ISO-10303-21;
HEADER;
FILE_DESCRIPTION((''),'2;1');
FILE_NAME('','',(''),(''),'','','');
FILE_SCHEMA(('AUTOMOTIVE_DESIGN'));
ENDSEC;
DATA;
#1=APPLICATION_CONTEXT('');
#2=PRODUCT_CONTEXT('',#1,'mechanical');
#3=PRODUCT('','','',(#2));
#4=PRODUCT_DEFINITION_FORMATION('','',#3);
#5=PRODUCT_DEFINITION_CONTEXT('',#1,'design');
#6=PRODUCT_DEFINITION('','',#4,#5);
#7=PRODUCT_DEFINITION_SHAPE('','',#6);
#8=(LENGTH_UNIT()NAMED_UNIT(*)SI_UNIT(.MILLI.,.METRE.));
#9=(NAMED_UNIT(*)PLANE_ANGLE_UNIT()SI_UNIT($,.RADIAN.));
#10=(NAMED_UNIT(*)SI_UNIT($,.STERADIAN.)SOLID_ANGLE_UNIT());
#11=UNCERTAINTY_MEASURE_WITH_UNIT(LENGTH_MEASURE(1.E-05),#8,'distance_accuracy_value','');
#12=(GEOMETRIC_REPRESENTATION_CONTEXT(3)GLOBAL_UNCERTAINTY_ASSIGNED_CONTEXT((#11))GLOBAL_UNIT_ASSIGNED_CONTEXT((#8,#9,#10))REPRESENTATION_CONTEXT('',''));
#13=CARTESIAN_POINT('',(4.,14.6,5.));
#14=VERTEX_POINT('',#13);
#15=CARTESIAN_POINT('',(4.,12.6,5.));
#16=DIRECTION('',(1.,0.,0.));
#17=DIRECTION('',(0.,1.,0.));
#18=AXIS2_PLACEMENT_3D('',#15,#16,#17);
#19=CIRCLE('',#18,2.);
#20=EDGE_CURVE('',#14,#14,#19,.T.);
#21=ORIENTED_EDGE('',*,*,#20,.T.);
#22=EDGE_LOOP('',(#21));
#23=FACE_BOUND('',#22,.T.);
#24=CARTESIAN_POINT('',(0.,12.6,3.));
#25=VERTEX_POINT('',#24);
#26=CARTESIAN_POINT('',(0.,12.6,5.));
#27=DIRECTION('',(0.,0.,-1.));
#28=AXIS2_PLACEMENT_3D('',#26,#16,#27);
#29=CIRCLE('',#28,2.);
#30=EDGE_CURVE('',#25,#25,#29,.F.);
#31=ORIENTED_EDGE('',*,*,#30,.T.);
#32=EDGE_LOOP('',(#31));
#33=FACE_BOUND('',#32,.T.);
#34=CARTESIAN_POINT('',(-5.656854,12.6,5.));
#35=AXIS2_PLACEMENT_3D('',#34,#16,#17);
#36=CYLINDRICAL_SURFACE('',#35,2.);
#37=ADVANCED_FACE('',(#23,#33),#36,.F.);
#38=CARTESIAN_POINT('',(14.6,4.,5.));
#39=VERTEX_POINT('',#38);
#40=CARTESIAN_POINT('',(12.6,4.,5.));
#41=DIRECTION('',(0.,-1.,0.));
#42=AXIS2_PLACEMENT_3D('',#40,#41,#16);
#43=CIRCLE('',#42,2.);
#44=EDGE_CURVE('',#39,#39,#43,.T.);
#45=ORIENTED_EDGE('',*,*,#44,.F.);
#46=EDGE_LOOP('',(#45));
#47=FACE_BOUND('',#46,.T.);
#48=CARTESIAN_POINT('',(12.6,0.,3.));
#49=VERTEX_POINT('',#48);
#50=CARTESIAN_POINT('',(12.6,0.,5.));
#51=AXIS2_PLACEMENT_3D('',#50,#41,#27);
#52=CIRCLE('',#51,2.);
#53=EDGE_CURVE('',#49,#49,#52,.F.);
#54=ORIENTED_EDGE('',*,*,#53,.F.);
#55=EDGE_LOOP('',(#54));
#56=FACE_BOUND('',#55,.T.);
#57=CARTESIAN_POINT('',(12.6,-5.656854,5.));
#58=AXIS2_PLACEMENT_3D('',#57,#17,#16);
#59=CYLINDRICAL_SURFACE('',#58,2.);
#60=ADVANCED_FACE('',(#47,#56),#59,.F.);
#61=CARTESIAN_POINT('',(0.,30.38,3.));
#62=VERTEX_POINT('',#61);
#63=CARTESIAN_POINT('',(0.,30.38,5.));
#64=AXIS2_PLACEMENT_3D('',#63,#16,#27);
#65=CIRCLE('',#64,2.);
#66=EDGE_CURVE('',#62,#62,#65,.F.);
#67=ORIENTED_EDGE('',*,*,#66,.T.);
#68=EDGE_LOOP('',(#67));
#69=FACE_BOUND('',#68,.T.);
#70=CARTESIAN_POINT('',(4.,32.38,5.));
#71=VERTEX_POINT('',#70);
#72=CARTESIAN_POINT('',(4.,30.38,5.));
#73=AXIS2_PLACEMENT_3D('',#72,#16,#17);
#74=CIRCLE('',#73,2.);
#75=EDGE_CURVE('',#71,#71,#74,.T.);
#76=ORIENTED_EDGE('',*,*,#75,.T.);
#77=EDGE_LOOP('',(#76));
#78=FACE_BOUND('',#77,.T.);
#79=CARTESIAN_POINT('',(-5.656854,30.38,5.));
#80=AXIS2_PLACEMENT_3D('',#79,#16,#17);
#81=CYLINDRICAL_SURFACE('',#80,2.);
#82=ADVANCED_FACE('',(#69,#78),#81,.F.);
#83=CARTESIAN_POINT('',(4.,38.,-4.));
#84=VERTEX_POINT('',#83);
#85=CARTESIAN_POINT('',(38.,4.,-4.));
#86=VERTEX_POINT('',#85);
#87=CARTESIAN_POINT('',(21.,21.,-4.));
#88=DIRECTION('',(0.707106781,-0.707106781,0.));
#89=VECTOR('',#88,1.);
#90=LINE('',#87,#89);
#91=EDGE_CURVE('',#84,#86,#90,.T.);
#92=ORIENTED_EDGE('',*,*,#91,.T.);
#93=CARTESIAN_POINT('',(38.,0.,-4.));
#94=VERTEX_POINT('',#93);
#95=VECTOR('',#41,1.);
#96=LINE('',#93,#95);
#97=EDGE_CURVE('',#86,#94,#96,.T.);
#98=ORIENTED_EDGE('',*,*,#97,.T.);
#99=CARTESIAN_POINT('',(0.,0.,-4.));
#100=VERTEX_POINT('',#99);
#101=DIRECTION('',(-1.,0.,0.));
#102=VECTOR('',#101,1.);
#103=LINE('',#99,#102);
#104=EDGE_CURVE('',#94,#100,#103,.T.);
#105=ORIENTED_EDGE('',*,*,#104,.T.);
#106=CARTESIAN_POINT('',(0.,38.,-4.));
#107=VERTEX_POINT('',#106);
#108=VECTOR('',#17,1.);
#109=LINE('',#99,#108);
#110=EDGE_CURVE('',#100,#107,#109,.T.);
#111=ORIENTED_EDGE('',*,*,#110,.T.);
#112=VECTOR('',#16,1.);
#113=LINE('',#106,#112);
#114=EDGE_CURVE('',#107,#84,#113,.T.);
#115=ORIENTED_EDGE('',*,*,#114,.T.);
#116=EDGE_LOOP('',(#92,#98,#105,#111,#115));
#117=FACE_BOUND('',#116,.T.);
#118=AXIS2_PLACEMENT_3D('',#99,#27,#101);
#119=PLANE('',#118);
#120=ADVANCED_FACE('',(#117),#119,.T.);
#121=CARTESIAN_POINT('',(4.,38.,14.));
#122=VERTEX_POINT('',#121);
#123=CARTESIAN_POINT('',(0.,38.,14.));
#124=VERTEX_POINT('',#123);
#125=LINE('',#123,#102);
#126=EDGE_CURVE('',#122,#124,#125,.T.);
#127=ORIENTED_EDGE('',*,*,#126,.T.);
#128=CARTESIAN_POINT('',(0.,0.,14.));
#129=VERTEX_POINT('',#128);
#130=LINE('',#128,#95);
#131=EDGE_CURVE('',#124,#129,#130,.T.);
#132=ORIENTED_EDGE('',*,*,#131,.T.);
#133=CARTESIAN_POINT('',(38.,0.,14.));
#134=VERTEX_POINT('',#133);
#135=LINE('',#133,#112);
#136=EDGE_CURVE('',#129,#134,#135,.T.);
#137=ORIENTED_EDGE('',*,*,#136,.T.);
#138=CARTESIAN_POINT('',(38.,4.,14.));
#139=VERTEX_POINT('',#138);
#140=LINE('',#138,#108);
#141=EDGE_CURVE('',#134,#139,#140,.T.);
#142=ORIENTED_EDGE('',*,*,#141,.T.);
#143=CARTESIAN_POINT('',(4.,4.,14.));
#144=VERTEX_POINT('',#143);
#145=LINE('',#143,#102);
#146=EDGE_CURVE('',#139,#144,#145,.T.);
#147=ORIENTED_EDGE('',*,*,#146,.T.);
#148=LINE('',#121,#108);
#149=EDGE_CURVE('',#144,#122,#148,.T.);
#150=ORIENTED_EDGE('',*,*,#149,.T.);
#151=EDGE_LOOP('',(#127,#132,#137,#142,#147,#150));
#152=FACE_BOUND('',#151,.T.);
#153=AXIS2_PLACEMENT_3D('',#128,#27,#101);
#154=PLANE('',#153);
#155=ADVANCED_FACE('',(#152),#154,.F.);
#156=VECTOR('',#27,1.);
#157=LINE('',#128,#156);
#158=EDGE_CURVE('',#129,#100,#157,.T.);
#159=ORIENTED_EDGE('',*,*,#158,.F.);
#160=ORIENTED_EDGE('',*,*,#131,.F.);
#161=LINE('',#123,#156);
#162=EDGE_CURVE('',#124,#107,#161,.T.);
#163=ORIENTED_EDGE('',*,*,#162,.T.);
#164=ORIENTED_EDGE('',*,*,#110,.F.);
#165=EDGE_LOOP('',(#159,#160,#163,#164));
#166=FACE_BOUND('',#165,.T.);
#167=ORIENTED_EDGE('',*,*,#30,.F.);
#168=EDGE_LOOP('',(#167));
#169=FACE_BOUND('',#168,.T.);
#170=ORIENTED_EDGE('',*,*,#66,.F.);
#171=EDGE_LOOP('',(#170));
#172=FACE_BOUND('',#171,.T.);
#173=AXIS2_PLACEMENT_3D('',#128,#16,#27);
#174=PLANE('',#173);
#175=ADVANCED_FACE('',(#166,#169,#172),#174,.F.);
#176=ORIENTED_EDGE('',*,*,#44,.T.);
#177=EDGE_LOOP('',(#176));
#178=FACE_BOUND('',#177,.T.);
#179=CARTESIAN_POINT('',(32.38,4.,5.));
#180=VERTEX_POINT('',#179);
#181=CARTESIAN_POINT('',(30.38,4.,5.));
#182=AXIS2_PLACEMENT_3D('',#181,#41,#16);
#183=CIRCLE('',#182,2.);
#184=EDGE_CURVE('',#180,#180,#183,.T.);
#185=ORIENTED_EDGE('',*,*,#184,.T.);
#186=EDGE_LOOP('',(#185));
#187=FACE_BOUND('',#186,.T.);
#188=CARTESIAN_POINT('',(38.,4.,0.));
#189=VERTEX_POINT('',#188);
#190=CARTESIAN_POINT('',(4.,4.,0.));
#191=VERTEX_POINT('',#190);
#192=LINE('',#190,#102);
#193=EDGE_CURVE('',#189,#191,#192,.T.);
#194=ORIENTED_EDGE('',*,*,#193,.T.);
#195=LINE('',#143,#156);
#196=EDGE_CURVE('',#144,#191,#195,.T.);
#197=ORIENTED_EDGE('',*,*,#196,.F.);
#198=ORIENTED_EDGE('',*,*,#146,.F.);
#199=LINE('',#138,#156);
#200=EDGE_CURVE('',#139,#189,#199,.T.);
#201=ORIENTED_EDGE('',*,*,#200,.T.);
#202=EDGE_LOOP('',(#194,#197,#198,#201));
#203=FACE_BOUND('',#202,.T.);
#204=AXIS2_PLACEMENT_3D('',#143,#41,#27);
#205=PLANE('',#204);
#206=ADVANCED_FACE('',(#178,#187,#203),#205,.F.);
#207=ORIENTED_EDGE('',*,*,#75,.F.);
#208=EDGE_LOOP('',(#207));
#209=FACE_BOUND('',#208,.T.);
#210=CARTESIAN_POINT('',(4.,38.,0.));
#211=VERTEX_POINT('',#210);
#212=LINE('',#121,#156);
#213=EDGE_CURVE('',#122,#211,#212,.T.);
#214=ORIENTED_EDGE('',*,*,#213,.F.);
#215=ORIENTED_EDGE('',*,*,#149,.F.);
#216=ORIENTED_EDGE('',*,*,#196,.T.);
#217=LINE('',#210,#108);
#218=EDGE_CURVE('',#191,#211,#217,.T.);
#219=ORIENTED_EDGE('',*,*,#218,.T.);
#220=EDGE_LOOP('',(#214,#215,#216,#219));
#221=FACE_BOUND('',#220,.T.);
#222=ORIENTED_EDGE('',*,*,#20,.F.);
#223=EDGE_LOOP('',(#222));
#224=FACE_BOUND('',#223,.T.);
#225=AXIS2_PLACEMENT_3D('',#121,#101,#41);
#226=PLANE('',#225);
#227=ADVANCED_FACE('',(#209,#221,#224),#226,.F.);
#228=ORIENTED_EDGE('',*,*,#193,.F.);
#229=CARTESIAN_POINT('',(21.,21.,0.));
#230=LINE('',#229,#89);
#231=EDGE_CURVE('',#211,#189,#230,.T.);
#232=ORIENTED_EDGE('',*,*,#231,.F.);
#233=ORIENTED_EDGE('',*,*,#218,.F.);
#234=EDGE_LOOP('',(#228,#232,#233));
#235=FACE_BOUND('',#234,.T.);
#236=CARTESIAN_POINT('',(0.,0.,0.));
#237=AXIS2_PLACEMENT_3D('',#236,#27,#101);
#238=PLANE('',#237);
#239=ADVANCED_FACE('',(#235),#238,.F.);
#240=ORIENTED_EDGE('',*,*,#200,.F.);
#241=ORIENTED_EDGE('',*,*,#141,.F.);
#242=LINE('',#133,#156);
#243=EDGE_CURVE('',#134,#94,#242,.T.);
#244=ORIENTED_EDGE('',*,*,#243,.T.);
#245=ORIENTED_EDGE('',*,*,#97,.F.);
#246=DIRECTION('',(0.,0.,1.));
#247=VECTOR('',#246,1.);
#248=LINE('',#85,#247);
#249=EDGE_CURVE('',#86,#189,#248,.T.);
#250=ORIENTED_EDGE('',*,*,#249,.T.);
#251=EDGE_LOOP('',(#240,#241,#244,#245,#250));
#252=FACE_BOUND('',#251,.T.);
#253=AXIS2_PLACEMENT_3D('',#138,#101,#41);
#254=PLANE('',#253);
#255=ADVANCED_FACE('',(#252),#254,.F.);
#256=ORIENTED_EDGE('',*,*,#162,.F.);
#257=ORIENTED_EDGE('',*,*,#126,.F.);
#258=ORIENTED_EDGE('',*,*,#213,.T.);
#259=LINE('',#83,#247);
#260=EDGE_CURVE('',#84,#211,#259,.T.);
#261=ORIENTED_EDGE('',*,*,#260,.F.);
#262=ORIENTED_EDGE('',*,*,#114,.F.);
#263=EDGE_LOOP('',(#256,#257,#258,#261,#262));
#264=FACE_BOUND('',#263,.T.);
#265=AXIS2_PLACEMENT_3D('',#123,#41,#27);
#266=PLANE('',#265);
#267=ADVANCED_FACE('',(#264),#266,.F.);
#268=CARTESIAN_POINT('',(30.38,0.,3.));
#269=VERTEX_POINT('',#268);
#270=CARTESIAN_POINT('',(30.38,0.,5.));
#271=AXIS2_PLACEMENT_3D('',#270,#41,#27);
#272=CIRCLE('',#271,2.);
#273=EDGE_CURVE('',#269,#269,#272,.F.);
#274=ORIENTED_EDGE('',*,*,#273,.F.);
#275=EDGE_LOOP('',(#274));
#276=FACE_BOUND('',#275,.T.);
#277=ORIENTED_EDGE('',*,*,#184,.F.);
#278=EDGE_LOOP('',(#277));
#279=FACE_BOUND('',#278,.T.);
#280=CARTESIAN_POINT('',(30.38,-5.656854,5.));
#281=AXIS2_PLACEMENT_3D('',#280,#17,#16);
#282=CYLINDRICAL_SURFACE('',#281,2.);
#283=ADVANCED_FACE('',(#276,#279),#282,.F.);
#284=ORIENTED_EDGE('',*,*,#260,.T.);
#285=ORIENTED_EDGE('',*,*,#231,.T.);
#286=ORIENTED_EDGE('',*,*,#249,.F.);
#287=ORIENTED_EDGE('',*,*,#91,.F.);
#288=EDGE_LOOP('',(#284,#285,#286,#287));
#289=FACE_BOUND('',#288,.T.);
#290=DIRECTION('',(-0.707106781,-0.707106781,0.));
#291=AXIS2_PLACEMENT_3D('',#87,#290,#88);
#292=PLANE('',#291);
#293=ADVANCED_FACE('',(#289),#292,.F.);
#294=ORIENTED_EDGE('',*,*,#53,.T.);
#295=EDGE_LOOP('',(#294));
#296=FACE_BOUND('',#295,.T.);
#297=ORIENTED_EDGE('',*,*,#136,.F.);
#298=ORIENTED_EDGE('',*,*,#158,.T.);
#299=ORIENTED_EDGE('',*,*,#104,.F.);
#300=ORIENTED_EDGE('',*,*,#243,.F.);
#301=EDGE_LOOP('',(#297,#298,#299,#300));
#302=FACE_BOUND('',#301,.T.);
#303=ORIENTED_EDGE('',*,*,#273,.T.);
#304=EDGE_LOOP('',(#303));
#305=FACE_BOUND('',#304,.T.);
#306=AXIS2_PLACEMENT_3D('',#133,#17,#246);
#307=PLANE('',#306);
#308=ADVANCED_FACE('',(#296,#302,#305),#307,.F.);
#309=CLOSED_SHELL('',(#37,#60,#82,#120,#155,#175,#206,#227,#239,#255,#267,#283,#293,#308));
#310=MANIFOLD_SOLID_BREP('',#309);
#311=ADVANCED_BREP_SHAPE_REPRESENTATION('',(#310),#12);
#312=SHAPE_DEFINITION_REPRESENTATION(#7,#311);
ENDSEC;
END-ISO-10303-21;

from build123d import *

# Parameters (mm, degrees)
BOSS_EXTRUDE1_DEPTH = 14
BOSS_EXTRUDE2_DEPTH = 4
SKETCH3_R           = 2
CUT_EXTRUDE1_DEPTH  = 4


with BuildPart() as part:
    # Sketch1 → Boss-Extrude1 (new body)
    with BuildSketch(Plane.XY):
        Polygon((0, 0), (0, 38), (4, 38), (4, 4), (38, 4), (38, 0), align=None)
    extrude(amount=BOSS_EXTRUDE1_DEPTH)

    # Sketch2 → Boss-Extrude2 (add)
    with BuildSketch(Plane(origin=(0, 0, 0), x_dir=(-1, 0, 0), z_dir=(0, 0, -1))):
        Polygon((-4, 38), (-38, 4), (-4, 4), align=None)
        Polygon((-38, 4), (-38, 0), (0, 0), (0, 38), (-4, 38), (-4, 4), align=None)
    extrude(amount=BOSS_EXTRUDE2_DEPTH)

    # Sketch3 → Cut-Extrude1 (cut)
    with BuildSketch(Plane(origin=(4, 0, 0), x_dir=(0, 0, -1), z_dir=(1, 0, 0))):
        with Locations(Location((-5, 30.38, 0), (0, 0, 90))):
            Circle(SKETCH3_R)
        with Locations(Location((-5, 12.6, 0), (0, 0, 90))):
            Circle(SKETCH3_R)
    cut_extrude1 = extrude(amount=-CUT_EXTRUDE1_DEPTH, mode=Mode.SUBTRACT)

    # Mirror4: Cut-Extrude1 across plane
    add(cut_extrude1.mirror(Plane(origin=(0, 0, 0), x_dir=(0, 0, 1), z_dir=(0.7071067811865438, -0.7071067811865512, 0))), mode=Mode.SUBTRACT)


solid = part.part
